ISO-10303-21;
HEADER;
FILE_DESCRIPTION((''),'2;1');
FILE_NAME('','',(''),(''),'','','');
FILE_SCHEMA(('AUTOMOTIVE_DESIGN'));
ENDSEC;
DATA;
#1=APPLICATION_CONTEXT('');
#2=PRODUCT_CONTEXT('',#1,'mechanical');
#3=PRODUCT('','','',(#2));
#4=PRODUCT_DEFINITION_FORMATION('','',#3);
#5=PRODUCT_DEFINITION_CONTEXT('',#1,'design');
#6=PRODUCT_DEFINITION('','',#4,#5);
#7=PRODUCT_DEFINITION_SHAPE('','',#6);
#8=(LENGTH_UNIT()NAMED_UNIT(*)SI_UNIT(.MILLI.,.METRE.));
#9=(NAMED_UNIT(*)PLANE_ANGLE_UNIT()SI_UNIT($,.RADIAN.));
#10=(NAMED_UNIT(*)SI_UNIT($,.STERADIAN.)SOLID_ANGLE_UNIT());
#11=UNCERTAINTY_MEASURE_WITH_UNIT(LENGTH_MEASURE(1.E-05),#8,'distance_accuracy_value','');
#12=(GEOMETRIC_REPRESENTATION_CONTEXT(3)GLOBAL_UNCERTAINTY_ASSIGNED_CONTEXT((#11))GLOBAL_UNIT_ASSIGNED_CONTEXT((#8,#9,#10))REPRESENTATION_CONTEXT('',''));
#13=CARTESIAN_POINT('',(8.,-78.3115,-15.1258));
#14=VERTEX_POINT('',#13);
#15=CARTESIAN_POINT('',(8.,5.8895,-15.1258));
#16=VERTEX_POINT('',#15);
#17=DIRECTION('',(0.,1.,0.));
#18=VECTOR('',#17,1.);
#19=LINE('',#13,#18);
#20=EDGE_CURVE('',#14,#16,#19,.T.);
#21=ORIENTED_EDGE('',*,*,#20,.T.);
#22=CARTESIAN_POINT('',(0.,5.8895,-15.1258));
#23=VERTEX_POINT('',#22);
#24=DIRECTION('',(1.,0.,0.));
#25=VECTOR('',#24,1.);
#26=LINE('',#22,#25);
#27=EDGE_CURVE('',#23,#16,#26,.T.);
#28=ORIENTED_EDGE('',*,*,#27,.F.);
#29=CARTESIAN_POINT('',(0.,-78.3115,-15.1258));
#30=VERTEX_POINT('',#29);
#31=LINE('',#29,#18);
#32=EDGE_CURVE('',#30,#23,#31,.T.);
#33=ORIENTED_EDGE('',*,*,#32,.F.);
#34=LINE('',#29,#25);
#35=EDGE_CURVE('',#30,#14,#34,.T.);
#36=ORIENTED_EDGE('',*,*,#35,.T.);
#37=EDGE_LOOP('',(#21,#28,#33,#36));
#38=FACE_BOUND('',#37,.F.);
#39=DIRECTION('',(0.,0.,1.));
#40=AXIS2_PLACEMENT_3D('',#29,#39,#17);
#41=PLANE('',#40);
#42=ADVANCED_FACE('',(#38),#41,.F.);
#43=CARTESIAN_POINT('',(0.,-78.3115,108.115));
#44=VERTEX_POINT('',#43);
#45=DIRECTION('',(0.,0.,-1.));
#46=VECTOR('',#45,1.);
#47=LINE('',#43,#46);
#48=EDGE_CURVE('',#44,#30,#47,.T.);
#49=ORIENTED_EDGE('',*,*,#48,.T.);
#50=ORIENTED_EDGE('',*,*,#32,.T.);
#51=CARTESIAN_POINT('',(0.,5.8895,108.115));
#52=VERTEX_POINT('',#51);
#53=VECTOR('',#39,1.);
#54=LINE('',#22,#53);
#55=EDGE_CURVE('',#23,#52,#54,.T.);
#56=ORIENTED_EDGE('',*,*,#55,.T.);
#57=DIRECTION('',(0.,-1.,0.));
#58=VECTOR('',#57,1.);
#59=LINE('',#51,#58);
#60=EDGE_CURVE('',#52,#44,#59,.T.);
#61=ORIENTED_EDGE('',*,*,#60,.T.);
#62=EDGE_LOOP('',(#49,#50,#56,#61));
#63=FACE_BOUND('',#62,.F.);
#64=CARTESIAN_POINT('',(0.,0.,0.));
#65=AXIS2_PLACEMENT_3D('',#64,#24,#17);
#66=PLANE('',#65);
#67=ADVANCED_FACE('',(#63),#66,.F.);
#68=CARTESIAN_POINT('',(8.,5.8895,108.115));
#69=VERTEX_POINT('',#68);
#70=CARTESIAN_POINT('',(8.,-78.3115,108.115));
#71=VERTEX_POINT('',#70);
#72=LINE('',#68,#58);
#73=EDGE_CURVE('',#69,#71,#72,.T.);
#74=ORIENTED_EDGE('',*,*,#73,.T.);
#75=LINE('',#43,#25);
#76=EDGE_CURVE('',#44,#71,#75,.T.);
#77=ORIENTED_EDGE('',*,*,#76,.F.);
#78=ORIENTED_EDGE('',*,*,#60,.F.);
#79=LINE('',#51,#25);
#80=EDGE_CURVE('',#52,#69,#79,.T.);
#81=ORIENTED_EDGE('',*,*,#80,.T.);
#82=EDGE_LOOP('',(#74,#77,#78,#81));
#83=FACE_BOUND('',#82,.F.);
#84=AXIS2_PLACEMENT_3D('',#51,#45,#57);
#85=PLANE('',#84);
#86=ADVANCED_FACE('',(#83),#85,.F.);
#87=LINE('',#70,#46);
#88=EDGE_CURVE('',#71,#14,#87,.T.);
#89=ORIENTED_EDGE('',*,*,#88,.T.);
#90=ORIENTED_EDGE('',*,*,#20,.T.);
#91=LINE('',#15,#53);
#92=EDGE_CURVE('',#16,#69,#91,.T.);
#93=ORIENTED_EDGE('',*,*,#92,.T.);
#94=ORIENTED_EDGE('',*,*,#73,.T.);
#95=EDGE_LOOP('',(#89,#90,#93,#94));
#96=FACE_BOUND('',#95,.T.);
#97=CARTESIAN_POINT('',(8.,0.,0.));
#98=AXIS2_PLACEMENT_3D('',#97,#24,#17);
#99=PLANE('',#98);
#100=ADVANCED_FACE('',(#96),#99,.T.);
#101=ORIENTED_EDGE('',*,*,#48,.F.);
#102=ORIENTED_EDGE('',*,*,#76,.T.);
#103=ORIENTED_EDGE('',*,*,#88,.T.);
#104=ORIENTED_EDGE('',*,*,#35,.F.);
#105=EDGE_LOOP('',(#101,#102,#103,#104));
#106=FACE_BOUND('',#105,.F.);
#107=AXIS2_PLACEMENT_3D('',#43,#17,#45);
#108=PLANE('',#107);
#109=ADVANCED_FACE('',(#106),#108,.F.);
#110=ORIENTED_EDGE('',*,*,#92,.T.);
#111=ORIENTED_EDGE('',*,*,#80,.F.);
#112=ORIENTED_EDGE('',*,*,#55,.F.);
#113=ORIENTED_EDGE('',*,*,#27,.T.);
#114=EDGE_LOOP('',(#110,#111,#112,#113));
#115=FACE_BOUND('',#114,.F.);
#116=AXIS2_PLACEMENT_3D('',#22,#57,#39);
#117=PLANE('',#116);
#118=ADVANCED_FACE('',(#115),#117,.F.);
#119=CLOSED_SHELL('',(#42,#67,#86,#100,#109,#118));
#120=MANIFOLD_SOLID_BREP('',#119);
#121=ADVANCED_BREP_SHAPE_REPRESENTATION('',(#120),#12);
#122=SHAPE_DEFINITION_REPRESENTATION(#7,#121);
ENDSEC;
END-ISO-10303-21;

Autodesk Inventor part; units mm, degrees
ref_plane "YZ Plane" through (0, 0, 0) normal (1, 0, 0) x (0, 1, 0)
ref_plane "XZ Plane" through (0, 0, 0) normal (0, 1, 0) x (-1, 0, 0)
ref_plane "XY Plane" through (0, 0, 0) normal (0, 0, 1) x (1, 0, 0)
sketch "Sketch1" plane through (0, 0, 0) normal (1, 0, 0) x (0, 1, 0)
  line L0 (5.8895, 108.115) -> (-78.3115, 108.115)
  line L1 (-78.3115, 108.115) -> (-78.3115, -15.1258)
  line L2 (-78.3115, -15.1258) -> (5.8895, -15.1258)
  line L3 (5.8895, -15.1258) -> (5.8895, 108.115)
  point P0 (0, 0)
  dimension "d0" = 84.201
  dimension "d1" = 123.2408
extrude "Extrusion1" add sketch "Sketch1" along normal blind 8
